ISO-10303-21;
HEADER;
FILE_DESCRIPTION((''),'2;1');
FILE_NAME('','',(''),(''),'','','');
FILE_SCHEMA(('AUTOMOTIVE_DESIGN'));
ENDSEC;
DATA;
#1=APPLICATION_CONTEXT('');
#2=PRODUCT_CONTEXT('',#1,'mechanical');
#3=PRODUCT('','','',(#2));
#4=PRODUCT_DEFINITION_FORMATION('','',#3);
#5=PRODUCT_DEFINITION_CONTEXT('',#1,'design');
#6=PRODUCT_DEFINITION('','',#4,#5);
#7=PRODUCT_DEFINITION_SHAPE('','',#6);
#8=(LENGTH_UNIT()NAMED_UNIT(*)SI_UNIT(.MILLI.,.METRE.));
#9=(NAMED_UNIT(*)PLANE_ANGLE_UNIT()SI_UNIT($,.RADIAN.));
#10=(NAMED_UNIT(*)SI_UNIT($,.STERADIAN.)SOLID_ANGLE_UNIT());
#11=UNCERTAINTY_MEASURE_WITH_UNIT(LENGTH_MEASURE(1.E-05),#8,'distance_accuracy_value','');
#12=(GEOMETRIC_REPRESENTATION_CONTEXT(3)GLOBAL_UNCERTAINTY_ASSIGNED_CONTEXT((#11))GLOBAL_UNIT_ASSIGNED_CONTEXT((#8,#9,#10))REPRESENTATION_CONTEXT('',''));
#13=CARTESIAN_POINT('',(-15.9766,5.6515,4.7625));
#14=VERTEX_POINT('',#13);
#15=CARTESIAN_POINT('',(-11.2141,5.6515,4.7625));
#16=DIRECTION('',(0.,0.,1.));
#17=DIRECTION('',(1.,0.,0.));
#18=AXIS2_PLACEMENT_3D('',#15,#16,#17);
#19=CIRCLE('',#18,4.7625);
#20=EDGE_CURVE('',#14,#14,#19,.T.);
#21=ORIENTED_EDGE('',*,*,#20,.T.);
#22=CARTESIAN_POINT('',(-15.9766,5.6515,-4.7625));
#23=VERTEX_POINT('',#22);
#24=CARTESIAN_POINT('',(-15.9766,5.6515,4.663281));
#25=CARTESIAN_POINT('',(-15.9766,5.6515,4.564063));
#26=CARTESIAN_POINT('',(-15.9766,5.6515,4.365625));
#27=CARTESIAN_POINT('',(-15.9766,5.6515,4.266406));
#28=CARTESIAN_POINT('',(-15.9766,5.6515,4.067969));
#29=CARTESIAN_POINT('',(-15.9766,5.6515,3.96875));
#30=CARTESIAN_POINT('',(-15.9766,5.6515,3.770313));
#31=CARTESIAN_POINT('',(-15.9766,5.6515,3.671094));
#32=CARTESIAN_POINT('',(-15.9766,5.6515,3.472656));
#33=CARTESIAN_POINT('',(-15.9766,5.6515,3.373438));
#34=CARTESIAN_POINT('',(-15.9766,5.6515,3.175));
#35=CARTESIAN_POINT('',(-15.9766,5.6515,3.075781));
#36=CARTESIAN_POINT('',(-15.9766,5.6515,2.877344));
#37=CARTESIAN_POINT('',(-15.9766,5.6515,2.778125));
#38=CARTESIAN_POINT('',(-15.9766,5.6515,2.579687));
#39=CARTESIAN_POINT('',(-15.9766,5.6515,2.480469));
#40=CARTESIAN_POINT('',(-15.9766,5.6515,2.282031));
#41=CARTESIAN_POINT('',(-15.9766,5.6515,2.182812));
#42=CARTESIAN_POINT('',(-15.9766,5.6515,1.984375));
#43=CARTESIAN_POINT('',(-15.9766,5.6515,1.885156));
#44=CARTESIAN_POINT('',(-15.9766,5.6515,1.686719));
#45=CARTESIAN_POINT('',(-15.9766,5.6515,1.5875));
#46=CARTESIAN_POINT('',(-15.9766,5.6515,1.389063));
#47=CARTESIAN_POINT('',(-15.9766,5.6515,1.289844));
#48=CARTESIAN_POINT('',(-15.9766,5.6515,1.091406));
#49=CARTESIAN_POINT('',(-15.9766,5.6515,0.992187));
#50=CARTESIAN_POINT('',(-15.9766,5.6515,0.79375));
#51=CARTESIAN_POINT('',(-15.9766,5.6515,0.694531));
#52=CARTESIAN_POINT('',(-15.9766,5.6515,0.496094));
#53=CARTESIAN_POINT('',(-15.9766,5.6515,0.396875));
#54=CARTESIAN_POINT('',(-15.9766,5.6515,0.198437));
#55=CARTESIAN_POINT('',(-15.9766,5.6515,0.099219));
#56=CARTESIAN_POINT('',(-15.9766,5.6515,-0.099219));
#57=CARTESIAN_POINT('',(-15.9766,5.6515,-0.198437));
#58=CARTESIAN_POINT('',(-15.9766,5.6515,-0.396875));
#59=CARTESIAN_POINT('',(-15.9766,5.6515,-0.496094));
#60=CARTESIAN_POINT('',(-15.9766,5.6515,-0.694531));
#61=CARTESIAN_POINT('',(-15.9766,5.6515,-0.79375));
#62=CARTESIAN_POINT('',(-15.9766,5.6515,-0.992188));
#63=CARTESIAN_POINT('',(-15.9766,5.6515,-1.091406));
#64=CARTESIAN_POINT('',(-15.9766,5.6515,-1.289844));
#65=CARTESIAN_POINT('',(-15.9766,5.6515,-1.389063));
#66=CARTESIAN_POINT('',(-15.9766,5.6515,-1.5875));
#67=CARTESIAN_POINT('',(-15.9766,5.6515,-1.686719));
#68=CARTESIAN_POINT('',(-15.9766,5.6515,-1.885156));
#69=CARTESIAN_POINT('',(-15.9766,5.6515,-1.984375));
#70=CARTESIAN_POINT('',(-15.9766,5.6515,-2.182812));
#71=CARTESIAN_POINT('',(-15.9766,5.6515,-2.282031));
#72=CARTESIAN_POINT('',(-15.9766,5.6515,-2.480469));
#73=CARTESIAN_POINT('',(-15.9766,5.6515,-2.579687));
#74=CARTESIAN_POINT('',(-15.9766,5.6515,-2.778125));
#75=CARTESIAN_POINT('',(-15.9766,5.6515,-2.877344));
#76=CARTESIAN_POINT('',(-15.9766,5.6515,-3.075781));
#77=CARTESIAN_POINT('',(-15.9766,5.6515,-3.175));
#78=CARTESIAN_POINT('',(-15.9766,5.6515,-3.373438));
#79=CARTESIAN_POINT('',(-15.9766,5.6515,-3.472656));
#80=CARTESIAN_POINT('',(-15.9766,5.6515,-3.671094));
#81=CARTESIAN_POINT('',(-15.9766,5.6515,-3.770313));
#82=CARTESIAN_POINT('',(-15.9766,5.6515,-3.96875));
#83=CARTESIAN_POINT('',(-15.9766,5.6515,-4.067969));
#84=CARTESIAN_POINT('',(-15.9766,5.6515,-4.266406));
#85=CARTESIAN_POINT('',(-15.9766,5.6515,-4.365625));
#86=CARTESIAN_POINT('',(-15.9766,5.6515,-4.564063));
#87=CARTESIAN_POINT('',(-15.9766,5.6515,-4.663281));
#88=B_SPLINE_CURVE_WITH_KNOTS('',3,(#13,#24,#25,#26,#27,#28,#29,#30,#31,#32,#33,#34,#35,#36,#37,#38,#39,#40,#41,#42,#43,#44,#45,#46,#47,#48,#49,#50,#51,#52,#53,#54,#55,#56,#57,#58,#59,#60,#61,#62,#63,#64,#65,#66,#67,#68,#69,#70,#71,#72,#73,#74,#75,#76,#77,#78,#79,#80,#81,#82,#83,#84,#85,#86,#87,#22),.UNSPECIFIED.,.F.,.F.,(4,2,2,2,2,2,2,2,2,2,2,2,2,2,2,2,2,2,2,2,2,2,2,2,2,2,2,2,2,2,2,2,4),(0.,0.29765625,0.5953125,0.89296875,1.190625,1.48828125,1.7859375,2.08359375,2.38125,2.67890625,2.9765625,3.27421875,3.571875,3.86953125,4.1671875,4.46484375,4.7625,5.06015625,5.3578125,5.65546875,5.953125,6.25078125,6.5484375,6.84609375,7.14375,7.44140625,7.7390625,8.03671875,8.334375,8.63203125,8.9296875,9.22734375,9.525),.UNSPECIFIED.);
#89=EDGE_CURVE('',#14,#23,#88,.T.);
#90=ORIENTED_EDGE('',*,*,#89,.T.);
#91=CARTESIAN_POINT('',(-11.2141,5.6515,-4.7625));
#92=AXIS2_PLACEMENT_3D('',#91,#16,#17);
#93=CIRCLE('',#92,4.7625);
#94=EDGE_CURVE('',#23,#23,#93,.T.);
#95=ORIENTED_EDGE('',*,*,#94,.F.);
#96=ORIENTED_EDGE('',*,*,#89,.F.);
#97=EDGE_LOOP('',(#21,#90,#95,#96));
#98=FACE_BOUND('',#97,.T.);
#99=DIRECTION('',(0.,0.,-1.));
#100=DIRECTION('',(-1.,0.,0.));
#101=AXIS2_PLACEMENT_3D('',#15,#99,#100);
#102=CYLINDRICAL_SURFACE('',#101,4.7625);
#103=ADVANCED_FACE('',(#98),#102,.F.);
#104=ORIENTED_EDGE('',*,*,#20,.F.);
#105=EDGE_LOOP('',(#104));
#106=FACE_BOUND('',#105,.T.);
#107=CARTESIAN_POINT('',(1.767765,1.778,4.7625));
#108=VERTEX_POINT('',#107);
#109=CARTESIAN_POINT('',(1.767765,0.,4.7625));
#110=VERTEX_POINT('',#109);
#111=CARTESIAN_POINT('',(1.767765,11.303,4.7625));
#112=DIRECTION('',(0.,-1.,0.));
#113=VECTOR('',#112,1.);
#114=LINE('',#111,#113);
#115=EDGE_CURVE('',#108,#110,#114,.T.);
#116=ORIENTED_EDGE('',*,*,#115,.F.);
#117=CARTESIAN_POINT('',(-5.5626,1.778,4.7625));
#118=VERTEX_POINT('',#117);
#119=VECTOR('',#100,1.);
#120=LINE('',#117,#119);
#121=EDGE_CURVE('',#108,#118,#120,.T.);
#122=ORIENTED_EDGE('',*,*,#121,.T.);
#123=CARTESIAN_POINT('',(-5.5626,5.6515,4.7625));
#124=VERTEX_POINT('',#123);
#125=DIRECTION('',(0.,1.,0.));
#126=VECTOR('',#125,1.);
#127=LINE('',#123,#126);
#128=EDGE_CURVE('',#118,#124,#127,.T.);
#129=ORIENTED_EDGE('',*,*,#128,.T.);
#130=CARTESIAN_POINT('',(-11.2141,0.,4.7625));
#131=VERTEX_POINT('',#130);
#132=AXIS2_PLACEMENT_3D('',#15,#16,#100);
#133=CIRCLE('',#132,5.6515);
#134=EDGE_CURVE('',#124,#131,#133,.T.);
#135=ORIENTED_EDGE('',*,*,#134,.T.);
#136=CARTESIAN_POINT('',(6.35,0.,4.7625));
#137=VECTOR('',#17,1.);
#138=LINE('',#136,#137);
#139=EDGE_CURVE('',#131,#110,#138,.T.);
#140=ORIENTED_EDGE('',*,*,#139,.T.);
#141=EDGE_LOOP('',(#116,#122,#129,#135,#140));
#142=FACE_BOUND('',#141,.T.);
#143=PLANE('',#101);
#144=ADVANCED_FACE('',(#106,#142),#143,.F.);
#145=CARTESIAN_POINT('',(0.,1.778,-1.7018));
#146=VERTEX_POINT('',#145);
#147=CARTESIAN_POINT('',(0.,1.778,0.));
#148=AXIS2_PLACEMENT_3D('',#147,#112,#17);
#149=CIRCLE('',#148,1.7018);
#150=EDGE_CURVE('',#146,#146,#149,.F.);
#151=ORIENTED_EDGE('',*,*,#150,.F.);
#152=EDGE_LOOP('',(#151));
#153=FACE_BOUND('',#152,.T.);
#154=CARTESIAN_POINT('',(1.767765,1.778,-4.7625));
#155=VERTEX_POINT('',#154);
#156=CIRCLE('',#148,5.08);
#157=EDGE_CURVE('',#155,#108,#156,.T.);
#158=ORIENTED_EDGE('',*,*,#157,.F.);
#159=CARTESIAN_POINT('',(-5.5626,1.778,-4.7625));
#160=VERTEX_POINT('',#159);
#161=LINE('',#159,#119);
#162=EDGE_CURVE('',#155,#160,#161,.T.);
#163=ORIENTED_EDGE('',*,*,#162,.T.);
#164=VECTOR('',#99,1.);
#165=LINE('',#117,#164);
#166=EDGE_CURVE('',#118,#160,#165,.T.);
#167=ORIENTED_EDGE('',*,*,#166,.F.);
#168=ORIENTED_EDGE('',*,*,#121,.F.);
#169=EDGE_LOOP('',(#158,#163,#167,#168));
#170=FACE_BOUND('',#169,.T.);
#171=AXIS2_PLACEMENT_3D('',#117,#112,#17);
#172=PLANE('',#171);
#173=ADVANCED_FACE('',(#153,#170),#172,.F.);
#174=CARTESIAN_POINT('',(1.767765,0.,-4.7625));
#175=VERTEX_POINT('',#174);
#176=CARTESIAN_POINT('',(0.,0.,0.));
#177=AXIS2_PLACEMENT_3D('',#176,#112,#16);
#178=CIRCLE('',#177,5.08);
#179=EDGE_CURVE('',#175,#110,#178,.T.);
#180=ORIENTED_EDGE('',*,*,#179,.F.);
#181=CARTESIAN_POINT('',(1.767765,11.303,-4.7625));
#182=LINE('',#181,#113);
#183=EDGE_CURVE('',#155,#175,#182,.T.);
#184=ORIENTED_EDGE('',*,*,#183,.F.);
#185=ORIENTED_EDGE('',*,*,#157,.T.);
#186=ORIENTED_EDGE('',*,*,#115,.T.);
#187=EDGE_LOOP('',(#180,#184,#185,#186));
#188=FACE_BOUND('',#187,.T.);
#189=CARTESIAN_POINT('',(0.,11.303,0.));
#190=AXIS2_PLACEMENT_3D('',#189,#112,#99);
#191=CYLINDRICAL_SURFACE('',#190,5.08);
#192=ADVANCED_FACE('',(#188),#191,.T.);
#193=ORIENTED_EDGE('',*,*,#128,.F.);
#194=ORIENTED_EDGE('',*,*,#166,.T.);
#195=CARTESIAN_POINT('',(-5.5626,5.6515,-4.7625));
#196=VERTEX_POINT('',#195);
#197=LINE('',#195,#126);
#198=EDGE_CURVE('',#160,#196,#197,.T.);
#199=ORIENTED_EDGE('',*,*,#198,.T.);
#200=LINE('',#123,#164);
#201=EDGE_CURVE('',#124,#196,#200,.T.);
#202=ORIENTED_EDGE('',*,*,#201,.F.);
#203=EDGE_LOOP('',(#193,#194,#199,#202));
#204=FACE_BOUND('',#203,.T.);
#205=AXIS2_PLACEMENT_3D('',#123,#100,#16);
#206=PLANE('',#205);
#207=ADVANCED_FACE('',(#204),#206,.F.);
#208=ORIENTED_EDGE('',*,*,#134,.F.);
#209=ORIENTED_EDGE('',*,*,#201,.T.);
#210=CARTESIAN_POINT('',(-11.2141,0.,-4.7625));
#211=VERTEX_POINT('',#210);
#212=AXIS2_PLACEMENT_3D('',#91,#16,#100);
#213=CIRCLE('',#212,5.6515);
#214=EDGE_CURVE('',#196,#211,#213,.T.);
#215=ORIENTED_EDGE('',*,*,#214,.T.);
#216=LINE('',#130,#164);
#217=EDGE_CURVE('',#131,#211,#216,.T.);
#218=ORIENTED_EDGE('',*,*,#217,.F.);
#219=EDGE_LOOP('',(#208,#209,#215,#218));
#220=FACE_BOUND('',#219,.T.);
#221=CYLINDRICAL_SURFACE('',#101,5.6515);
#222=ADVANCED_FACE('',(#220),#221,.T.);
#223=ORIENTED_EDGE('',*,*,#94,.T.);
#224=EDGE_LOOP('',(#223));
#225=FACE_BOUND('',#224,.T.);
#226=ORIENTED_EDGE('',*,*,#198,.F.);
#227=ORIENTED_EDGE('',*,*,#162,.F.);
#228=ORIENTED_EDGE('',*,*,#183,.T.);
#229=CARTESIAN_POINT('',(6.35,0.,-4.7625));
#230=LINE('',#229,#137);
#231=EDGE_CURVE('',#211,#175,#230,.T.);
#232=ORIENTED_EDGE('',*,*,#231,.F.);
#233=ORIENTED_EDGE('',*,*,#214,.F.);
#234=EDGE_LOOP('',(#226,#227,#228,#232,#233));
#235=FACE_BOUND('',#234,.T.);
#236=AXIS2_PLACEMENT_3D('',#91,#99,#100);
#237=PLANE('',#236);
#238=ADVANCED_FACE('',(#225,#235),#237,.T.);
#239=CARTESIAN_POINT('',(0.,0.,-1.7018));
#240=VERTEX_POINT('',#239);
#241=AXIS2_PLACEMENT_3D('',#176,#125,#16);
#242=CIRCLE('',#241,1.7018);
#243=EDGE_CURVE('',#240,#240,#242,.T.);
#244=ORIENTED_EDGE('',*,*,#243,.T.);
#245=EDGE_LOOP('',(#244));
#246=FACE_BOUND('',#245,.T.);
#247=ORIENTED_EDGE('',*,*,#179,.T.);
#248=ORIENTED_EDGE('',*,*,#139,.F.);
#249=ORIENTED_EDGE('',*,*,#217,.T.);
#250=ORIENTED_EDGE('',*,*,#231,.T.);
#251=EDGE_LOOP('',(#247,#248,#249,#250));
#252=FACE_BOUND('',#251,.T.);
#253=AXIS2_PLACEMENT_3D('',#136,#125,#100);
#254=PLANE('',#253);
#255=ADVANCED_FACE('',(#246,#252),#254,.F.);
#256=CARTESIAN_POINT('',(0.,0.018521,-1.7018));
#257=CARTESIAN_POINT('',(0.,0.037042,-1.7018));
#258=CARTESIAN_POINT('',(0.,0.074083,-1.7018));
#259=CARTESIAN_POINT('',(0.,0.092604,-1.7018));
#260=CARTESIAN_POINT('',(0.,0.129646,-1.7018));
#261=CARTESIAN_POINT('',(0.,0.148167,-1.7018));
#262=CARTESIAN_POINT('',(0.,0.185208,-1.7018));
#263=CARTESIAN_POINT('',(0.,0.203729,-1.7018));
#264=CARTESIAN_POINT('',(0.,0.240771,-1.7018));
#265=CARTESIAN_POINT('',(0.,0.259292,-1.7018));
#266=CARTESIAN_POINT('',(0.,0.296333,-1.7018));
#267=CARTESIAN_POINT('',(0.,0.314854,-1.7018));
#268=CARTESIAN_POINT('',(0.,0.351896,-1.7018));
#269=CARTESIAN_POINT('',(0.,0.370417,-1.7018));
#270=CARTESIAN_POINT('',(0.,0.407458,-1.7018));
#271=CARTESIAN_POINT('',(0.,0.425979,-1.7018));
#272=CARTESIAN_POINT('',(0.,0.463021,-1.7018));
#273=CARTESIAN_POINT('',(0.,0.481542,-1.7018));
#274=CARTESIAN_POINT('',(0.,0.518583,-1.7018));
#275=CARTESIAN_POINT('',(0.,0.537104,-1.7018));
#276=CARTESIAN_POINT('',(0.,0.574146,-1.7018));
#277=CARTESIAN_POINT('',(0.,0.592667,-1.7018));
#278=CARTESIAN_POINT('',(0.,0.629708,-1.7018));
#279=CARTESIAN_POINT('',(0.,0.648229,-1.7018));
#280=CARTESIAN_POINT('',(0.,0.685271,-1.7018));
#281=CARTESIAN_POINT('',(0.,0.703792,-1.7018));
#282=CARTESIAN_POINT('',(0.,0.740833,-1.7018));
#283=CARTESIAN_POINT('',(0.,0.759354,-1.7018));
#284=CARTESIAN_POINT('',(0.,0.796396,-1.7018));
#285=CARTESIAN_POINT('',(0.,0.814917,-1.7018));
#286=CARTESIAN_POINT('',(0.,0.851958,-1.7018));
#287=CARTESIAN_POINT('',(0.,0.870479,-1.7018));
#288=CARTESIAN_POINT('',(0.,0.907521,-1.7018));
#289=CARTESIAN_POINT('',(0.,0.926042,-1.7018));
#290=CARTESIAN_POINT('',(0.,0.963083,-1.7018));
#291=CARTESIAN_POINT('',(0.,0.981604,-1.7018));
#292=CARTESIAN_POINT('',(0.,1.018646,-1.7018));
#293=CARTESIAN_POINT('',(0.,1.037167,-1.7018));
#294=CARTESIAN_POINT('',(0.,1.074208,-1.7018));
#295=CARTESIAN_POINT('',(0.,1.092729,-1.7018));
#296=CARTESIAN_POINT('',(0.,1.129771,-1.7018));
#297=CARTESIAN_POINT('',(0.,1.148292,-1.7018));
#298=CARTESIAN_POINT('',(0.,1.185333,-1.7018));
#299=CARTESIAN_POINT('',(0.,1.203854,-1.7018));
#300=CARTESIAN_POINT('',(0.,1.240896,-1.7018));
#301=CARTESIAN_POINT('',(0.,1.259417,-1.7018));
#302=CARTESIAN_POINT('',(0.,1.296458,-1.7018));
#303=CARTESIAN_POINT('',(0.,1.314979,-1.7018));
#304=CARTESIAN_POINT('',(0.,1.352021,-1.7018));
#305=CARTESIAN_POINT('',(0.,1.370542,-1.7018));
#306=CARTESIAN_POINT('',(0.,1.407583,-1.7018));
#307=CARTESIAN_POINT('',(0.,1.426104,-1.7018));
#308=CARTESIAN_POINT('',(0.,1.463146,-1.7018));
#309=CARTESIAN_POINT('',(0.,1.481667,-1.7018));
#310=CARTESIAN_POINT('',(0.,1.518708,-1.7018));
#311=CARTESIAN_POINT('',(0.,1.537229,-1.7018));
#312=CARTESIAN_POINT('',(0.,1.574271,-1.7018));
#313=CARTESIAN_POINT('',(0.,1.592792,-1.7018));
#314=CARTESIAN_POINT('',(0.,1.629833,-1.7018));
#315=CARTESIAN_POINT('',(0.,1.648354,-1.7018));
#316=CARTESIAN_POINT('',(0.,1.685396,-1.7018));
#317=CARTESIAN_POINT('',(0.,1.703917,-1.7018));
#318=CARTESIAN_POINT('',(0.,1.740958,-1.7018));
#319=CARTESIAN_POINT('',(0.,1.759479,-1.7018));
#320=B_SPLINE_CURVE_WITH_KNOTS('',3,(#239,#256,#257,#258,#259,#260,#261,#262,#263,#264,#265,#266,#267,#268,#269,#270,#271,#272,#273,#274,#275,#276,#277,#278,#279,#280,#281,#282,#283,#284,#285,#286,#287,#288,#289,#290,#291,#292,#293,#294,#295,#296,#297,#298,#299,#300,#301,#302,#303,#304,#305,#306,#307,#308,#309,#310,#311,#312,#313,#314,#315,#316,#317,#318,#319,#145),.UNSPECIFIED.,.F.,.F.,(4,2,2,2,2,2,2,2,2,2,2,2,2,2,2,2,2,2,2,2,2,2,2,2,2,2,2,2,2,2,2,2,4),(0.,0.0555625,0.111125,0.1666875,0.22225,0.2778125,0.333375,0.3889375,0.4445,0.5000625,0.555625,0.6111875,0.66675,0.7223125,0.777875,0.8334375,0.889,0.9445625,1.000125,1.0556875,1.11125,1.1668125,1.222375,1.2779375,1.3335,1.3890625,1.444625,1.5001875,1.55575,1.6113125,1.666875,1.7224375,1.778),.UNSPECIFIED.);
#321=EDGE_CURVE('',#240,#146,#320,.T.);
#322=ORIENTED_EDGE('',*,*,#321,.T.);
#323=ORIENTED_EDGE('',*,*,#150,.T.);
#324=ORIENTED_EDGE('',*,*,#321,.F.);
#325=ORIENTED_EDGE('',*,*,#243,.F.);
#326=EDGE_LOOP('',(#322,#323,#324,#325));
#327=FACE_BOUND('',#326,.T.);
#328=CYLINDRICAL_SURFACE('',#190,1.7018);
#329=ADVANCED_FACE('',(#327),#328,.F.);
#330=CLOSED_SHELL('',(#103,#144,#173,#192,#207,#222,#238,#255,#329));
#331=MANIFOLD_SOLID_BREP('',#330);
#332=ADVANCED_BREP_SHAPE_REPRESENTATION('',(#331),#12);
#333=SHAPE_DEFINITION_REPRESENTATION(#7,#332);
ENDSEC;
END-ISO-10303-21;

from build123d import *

# Parameters (mm, degrees)
SKETCH1_R           = 4.7625
BOSS_EXTRUDE1_DEPTH = 4.7625
SKETCH2_R           = 1.7018
CUT_EXTRUDE1_DEPTH  = 21.853960742


with BuildPart() as part:
    # Sketch1 → Boss-Extrude1 (new, symmetric)
    with BuildSketch(Plane.XY):
        with BuildLine():
            Line((6.35, 0), (-11.2141, 0))
            ThreePointArc((-11.2141, 0), (-15.210313974, 9.647713974), (-5.5626, 5.6515))
            Line((-5.5626, 5.6515), (-5.5626, 1.778))
            Line((-5.5626, 1.778), (6.35, 1.778))
            Line((6.35, 1.778), (6.35, 0))
        make_face()
        with Locations(Location((-11.2141, 5.6515, 0), (0, 0, 180))):
            Circle(SKETCH1_R, mode=Mode.SUBTRACT)
    extrude(amount=BOSS_EXTRUDE1_DEPTH, both=True)

    # Sketch2 → Cut-Extrude1 (cut, through all)
    with BuildSketch(Plane(origin=(0, 0, 0), x_dir=(1, 0, 0), z_dir=(0, 1, 0))):
        with Locations(Location((0, 0, 0), (0, 0, 90))):
            Circle(SKETCH2_R)
        with BuildLine():
            Line((0, -5.08), (0, -11.820740926))
            Line((0, -11.820740926), (11.381105031, -11.820740926))
            Line((11.381105031, -11.820740926), (11.381105031, 11.820740926))
            Line((11.381105031, 11.820740926), (0, 11.820740926))
            Line((0, 11.820740926), (0, 5.08))
            ThreePointArc((0, 5.08), (5.08, 0), (0, -5.08))
        make_face()
    extrude(amount=CUT_EXTRUDE1_DEPTH, mode=Mode.SUBTRACT)


solid = part.part
